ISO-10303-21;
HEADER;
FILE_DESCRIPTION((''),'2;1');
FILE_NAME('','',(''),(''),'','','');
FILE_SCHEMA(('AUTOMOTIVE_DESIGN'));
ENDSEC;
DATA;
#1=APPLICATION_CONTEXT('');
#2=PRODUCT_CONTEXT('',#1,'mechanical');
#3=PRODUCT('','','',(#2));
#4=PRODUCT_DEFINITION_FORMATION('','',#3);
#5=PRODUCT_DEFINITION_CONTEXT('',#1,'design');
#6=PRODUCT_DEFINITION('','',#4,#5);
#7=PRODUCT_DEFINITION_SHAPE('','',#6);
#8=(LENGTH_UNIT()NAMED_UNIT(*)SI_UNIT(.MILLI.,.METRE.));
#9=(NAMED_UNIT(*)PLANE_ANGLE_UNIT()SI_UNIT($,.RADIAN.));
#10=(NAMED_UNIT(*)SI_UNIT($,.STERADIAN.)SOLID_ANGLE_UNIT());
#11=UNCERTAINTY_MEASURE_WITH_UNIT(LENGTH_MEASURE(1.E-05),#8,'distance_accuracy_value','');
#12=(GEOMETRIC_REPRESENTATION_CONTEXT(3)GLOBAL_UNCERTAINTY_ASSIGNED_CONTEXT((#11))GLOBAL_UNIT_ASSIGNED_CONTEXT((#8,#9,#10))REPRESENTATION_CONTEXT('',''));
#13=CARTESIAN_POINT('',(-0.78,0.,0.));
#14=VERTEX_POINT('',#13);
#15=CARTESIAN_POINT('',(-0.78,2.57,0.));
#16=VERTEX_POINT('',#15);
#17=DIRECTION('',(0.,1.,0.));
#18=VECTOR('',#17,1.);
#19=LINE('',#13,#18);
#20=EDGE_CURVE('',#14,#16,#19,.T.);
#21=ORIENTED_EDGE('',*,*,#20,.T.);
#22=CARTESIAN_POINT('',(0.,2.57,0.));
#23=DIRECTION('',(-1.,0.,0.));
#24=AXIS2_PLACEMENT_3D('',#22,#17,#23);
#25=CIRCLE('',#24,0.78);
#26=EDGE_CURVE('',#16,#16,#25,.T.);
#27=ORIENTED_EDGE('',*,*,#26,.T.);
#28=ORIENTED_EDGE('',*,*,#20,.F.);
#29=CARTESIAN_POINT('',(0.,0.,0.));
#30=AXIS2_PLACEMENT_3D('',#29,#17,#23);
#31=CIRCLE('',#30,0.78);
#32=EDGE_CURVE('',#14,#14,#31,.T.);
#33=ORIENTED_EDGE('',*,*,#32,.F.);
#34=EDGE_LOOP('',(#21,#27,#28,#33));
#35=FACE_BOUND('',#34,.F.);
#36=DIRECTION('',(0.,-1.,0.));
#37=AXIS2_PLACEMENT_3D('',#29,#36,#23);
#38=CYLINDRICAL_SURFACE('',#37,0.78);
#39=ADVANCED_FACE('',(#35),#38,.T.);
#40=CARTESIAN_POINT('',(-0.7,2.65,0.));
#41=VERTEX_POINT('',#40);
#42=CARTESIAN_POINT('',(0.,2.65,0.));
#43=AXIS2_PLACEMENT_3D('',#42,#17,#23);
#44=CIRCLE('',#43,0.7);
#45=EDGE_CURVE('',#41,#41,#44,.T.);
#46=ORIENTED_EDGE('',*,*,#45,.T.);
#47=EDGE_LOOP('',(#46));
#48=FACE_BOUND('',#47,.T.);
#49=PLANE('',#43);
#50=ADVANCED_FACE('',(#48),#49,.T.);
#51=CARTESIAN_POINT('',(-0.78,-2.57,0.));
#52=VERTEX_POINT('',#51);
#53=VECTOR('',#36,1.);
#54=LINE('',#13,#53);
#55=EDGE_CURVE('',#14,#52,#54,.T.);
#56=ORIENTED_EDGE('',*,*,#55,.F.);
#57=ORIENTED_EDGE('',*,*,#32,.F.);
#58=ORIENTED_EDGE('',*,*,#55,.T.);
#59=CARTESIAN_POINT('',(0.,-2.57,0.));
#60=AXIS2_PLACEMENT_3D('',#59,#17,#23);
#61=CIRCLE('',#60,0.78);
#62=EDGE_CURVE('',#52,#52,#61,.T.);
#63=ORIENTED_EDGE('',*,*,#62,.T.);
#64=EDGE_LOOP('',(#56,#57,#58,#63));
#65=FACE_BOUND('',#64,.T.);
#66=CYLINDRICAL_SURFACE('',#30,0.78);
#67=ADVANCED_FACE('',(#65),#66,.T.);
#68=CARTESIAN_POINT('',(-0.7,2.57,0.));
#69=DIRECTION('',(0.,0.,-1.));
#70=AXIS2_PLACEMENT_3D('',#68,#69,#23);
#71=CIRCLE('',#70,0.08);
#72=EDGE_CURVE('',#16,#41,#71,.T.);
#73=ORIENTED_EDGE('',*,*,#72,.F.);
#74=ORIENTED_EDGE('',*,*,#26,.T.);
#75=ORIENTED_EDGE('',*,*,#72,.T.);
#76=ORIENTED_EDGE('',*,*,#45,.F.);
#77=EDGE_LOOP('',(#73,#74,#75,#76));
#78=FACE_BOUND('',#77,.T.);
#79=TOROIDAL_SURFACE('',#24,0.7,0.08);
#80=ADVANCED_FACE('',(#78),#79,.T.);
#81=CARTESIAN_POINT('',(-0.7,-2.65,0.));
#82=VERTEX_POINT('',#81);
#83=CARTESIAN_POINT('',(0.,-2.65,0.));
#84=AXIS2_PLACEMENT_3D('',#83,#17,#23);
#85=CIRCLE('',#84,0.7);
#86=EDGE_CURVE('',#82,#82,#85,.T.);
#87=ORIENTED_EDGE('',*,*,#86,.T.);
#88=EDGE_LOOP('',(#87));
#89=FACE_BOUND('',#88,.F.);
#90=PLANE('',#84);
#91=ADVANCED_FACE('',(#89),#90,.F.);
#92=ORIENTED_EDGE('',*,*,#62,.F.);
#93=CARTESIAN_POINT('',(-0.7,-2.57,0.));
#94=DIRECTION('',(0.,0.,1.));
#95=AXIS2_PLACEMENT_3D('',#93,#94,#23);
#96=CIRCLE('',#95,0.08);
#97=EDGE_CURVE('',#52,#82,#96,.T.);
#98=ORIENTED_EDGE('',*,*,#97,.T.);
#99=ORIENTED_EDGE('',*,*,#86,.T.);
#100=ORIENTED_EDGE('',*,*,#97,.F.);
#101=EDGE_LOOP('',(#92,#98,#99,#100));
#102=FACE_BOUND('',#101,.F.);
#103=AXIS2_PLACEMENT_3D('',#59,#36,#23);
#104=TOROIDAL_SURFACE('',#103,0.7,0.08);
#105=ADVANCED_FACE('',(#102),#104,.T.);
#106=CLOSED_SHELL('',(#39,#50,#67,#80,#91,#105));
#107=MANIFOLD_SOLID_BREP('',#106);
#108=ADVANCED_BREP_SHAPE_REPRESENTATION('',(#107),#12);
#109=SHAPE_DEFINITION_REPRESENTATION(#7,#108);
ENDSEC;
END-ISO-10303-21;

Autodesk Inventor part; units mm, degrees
ref_plane "YZ Plane" through (0, 0, 0) normal (1, 0, 0) x (0, 1, 0)
ref_plane "XZ Plane" through (0, 0, 0) normal (0, 1, 0) x (-1, 0, 0)
ref_plane "XY Plane" through (0, 0, 0) normal (0, 0, 1) x (1, 0, 0)
sketch "Sketch1" plane through (0, 0, 0) normal (0, 1, 0) x (-1, 0, 0)
  circle A0 centre (0, 0) radius 0.78
  dimension "d0" = 1.56
extrude "Extrusion1" add sketch "Sketch1" along normal mid plane 5.3
fillet "Fillet1" radius 0.08 2 edges at (0.78, -2.65, 0) (0.78, 2.65, 0)
properties part number "empty"
